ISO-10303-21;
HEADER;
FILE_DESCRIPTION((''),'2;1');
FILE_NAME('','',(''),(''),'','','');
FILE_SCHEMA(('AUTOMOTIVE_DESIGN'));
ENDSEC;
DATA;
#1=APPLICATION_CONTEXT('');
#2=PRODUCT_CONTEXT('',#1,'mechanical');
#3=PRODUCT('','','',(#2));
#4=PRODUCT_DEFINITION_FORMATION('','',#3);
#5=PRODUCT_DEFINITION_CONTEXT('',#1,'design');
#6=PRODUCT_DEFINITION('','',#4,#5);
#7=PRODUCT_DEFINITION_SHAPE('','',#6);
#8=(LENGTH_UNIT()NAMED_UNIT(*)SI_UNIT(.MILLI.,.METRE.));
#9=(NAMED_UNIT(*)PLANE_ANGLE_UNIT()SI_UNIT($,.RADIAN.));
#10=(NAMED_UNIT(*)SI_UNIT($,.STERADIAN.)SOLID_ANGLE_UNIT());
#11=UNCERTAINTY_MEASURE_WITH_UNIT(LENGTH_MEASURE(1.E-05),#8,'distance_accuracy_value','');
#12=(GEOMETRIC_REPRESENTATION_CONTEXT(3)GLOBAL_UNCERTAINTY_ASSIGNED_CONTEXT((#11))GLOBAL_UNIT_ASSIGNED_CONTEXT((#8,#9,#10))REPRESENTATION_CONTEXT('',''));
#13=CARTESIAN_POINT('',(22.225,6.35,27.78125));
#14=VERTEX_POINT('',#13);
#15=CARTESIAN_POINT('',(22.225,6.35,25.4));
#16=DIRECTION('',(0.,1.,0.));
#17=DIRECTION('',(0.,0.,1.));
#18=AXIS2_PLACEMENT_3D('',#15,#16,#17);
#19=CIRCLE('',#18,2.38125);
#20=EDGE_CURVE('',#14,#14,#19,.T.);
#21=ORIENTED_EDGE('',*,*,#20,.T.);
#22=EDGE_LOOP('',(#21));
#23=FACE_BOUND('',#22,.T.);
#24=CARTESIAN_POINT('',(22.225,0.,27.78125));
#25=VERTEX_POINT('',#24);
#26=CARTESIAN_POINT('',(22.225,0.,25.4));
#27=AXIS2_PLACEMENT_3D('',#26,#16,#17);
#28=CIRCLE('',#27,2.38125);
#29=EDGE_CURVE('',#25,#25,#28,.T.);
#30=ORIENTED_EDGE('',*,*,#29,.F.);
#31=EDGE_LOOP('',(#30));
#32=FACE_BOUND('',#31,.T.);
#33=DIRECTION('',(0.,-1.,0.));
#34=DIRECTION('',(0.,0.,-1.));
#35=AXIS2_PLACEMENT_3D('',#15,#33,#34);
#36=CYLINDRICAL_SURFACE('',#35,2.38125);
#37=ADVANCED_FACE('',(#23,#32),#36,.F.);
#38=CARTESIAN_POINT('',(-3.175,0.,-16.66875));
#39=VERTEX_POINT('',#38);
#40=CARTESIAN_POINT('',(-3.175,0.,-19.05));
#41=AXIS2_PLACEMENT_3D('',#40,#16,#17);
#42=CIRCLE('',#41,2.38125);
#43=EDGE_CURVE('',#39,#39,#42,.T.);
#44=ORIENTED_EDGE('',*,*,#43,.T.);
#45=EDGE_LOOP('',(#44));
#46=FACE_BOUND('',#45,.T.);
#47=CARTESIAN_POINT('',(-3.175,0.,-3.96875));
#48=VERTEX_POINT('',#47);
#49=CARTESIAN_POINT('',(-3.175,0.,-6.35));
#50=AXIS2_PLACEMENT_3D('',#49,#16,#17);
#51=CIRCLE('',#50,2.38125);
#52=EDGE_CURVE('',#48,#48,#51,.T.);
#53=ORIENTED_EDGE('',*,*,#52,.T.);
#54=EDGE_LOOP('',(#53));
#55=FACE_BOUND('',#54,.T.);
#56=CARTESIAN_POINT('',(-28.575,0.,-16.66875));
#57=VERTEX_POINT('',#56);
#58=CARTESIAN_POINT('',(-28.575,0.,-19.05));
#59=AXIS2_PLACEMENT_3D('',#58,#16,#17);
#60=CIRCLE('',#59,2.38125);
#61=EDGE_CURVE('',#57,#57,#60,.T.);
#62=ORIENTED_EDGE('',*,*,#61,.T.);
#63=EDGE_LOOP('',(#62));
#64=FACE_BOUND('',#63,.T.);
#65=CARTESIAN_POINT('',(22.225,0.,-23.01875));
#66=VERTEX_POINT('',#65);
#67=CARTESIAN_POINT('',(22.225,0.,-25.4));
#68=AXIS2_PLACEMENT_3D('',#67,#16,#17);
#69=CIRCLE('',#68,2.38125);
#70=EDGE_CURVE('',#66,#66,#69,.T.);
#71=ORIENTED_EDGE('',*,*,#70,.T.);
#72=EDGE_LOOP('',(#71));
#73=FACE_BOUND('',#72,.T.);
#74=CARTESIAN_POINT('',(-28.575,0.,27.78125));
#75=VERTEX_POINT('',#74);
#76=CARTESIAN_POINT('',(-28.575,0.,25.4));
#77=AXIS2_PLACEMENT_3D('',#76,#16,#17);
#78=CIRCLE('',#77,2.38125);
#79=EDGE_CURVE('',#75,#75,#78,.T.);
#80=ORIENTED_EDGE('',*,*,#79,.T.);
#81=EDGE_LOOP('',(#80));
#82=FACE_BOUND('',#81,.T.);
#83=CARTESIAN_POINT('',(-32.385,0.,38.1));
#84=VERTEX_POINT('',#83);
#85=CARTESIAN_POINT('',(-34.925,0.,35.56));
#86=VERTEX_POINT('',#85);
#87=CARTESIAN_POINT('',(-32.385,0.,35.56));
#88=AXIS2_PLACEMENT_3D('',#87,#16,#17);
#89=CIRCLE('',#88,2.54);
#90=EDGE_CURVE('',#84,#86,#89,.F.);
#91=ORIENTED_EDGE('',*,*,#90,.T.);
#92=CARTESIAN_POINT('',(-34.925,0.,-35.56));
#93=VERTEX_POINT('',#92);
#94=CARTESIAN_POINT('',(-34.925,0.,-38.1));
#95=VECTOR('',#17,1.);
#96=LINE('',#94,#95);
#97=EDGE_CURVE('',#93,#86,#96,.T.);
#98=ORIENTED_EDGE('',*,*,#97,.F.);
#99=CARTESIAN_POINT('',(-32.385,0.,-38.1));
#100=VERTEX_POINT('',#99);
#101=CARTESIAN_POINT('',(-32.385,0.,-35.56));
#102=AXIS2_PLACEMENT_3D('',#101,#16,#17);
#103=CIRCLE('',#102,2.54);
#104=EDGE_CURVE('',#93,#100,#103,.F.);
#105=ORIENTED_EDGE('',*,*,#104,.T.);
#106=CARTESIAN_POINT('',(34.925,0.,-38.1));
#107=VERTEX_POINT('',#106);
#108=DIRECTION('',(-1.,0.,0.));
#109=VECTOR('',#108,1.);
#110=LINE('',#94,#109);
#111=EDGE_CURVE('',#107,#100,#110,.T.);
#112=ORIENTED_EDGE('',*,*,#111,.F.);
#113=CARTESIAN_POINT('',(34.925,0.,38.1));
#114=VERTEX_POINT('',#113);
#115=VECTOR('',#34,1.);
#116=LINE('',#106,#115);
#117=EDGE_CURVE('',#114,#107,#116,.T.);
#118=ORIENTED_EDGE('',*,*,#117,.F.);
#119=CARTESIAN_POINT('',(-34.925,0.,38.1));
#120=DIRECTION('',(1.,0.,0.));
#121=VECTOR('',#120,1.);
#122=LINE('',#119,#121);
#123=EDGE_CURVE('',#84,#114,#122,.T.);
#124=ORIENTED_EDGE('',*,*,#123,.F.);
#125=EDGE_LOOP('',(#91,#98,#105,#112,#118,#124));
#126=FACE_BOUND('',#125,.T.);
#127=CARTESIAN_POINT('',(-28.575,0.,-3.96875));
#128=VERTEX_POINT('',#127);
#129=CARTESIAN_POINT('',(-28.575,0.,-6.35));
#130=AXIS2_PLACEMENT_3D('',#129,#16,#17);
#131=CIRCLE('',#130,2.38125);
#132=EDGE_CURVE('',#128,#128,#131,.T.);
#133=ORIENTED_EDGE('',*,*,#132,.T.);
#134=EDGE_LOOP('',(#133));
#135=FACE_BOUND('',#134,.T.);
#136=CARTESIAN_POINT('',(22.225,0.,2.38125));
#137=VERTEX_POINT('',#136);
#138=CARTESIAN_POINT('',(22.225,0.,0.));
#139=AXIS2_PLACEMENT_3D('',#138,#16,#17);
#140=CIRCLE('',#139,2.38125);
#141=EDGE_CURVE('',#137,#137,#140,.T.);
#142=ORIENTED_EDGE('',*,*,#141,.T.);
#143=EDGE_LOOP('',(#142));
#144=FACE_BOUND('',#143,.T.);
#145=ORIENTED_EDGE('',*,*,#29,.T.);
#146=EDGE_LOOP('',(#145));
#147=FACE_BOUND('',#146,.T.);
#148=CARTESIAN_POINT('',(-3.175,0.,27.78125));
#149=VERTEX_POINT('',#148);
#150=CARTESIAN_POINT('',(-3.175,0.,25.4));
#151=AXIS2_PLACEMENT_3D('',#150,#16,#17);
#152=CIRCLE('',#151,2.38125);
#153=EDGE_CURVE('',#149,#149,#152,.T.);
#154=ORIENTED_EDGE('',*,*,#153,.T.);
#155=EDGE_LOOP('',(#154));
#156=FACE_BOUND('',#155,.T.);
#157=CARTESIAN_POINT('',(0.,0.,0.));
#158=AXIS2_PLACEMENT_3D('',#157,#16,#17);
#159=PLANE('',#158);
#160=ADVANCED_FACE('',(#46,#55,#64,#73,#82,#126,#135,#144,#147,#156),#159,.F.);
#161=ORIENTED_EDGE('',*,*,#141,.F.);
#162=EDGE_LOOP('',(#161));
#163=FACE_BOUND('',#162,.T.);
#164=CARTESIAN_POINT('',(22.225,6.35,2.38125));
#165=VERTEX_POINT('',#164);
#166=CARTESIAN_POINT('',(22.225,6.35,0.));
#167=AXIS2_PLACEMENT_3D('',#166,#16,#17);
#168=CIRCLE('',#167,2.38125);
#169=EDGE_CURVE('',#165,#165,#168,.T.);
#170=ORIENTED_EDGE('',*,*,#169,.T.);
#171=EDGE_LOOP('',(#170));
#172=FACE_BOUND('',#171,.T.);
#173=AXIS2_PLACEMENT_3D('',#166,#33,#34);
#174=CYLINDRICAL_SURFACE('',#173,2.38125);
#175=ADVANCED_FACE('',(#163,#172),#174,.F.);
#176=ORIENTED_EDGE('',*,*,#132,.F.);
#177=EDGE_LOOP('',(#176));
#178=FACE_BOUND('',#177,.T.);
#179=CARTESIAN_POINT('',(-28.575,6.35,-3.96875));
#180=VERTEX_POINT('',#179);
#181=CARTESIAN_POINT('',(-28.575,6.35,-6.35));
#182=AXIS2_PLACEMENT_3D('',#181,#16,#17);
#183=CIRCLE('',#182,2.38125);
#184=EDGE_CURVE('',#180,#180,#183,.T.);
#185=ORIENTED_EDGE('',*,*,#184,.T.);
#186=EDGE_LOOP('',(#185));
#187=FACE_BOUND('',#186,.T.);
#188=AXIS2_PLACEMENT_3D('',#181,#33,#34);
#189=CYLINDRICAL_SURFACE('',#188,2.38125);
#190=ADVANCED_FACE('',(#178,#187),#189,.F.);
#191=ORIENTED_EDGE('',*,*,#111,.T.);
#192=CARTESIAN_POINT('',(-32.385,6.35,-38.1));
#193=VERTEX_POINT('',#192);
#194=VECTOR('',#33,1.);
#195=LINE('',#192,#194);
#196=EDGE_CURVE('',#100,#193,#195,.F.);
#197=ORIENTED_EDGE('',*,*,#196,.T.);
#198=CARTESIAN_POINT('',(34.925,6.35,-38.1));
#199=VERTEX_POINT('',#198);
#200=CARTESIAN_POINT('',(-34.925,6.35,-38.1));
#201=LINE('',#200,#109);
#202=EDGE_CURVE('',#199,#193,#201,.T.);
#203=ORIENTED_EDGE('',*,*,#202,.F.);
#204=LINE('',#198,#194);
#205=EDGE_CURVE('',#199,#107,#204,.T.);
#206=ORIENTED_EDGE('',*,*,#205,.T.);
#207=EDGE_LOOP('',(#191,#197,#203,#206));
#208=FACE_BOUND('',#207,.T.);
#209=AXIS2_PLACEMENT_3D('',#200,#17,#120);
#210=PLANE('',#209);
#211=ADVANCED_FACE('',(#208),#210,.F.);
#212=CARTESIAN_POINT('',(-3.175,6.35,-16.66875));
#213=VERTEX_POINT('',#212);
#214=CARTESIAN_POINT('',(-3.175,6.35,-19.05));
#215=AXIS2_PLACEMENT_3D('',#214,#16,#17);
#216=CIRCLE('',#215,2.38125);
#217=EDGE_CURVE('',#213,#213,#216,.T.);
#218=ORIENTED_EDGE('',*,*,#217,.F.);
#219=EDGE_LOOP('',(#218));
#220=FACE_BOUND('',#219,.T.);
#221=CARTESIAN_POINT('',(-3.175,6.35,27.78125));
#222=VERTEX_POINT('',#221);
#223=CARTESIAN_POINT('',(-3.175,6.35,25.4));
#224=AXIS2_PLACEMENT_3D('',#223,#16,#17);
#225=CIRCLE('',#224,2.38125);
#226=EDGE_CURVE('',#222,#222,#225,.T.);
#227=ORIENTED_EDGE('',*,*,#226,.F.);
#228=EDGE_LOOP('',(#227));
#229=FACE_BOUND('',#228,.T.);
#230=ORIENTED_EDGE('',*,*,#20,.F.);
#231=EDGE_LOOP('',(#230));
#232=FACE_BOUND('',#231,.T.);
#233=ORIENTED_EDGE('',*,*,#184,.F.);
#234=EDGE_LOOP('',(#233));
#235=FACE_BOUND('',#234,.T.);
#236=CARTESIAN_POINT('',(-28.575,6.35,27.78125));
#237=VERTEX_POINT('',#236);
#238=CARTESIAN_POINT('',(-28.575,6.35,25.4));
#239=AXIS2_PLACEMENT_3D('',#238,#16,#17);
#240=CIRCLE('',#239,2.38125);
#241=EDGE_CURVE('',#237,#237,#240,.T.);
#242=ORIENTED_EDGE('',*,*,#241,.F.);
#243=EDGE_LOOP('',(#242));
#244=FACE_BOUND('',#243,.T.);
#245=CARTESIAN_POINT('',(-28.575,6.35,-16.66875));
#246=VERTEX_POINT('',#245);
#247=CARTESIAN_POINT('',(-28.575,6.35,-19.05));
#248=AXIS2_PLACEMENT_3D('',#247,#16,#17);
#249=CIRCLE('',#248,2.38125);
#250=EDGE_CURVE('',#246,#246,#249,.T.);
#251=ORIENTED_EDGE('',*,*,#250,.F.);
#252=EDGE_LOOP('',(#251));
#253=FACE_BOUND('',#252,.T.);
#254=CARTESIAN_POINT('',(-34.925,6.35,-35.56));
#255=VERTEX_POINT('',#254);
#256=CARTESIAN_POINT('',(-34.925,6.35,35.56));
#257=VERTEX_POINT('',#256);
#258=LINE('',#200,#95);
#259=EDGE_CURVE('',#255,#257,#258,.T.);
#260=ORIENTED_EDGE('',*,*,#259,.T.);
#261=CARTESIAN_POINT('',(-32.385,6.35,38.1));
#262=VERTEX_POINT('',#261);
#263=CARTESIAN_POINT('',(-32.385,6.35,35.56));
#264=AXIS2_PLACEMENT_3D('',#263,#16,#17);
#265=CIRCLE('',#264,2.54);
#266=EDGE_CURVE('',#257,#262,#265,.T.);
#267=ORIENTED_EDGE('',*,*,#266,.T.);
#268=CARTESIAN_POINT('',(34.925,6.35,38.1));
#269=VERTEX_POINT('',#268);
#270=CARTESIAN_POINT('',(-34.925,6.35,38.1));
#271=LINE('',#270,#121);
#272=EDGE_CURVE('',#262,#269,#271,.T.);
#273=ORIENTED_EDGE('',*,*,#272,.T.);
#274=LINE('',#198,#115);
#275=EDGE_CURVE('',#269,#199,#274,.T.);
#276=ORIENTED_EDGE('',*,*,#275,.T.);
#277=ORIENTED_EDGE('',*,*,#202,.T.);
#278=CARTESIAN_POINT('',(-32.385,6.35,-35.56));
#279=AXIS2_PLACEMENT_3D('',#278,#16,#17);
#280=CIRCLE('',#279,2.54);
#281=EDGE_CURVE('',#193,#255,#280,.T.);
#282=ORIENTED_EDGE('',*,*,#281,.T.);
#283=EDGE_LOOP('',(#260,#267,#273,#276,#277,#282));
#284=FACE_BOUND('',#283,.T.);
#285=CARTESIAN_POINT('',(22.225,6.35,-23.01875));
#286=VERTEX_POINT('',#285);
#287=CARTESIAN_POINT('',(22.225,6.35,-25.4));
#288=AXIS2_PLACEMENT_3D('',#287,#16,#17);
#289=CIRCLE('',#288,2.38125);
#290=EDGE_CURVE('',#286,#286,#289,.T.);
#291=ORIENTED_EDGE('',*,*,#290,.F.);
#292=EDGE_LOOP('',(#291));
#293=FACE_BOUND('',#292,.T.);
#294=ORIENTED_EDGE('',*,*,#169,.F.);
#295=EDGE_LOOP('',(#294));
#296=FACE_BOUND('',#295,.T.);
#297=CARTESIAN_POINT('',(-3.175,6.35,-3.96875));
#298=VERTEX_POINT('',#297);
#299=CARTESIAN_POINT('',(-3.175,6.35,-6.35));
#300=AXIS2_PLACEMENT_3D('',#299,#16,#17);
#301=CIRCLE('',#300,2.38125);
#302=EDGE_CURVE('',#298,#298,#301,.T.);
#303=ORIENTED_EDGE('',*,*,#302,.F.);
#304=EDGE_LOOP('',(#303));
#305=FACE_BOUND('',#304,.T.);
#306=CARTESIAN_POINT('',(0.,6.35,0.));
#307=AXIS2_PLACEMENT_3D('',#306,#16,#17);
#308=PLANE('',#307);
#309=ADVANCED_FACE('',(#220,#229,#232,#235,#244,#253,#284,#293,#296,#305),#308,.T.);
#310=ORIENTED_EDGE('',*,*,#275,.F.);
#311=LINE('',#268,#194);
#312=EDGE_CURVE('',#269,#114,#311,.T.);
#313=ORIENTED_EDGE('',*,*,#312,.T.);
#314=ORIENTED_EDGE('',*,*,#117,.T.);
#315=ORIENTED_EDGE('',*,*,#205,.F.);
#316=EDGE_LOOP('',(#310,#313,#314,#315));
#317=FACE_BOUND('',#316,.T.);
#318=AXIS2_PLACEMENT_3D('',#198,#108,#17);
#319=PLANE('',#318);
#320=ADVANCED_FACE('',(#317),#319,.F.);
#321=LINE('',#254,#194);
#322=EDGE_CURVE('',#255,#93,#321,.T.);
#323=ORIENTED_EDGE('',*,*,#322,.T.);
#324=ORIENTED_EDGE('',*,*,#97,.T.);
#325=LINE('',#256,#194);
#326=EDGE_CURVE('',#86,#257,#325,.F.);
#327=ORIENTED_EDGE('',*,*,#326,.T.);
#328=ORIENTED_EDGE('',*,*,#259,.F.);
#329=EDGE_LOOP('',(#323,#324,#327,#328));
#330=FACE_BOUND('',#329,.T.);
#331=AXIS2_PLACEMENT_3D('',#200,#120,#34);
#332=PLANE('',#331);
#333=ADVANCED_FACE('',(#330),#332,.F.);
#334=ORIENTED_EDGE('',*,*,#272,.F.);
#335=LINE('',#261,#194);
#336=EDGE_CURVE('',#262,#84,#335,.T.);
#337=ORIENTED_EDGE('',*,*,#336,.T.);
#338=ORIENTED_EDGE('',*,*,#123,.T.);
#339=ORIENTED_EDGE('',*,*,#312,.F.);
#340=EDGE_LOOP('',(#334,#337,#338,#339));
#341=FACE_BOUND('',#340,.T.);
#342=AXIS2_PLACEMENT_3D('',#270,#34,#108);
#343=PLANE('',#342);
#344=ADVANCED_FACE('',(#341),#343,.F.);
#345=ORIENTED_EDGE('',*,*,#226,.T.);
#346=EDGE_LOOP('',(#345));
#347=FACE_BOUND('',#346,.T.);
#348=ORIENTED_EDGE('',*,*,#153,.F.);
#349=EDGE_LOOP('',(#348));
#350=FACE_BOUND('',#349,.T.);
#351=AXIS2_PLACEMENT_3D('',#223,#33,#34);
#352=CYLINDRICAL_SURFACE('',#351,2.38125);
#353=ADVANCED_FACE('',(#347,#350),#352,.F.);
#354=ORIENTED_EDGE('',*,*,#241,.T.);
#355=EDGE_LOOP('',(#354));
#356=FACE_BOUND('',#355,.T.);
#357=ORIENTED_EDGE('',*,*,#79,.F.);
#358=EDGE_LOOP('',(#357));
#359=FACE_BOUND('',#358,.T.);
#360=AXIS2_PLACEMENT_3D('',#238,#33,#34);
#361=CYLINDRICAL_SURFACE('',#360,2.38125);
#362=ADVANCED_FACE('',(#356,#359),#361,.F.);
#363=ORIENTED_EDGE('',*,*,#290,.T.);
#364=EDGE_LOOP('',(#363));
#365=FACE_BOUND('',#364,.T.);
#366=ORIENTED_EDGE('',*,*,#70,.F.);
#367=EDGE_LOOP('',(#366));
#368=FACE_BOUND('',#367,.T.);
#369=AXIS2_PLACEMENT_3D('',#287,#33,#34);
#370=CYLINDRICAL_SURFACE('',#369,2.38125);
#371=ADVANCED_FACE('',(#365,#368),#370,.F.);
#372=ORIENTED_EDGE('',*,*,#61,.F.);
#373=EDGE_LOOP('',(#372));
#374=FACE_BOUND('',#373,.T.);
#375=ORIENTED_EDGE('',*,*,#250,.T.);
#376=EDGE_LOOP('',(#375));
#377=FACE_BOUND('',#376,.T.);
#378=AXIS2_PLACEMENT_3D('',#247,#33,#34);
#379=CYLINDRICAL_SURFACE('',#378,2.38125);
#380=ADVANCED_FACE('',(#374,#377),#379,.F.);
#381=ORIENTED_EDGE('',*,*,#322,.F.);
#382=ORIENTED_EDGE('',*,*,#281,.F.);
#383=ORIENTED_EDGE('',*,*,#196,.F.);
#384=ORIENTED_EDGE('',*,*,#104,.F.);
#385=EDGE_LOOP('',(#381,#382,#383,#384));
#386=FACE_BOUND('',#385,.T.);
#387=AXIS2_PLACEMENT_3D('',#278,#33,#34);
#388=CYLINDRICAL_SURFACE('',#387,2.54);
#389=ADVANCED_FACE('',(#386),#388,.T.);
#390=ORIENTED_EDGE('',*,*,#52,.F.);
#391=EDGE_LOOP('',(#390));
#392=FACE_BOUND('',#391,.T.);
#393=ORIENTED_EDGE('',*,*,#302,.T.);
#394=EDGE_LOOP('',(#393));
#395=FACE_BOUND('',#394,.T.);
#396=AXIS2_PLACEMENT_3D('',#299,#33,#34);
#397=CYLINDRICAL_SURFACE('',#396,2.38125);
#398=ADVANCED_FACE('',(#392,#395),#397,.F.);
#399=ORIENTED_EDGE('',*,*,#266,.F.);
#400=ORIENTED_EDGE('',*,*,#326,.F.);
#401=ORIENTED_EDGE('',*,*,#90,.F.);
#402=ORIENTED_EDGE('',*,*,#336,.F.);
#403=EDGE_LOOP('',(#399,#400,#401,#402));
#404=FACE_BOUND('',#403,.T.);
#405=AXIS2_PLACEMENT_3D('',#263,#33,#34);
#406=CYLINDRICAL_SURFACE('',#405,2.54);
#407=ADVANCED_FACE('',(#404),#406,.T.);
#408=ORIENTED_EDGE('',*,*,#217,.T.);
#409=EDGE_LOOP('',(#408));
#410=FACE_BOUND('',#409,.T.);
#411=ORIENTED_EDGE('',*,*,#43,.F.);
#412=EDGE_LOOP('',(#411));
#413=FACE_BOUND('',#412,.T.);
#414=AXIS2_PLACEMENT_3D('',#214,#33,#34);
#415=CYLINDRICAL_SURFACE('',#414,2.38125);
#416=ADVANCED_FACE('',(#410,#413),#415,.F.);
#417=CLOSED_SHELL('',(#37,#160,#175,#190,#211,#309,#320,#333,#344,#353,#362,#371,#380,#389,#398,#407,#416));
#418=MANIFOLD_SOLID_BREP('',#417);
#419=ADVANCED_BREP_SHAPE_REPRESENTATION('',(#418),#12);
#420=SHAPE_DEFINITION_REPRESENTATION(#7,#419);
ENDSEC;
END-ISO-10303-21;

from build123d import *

# Parameters (mm, degrees)
SKETCH1_W           = 69.85
SKETCH1_H           = 76.2
SKETCH1_R           = 2.38125
BOSS_EXTRUDE1_DEPTH = 6.35
FILLET1_R           = 2.54


with BuildPart() as part:
    # Sketch1 → Boss-Extrude1 (new body)
    with BuildSketch(Plane(origin=(0, 0, 0), x_dir=(1, 0, 0), z_dir=(0, 1, 0))):
        Rectangle(SKETCH1_W, SKETCH1_H)
        with Locations(Location((22.225, 0, 0), (0, 0, 270))):
            Circle(SKETCH1_R, mode=Mode.SUBTRACT)
        with Locations(Location((22.225, -25.4, 0), (0, 0, 270))):
            Circle(SKETCH1_R, mode=Mode.SUBTRACT)
        with Locations(Location((22.225, 25.4, 0), (0, 0, 270))):
            Circle(SKETCH1_R, mode=Mode.SUBTRACT)
        with Locations(Location((-28.575, -25.4, 0), (0, 0, 270))):
            Circle(SKETCH1_R, mode=Mode.SUBTRACT)
        with Locations(Location((-28.575, 19.05, 0), (0, 0, 270))):
            Circle(SKETCH1_R, mode=Mode.SUBTRACT)
        with Locations(Location((-28.575, 6.35, 0), (0, 0, 270))):
            Circle(SKETCH1_R, mode=Mode.SUBTRACT)
        with Locations(Location((-3.175, -25.4, 0), (0, 0, 270))):
            Circle(SKETCH1_R, mode=Mode.SUBTRACT)
        with Locations(Location((-3.175, 19.05, 0), (0, 0, 270))):
            Circle(SKETCH1_R, mode=Mode.SUBTRACT)
        with Locations(Location((-3.175, 6.35, 0), (0, 0, 270))):
            Circle(SKETCH1_R, mode=Mode.SUBTRACT)
    extrude(amount=BOSS_EXTRUDE1_DEPTH)

    # Fillet1
    fillet1_edges = [part.edges().sort_by_distance(p)[0] for p in [
        (-34.925, 3.175, 38.1),
        (-34.925, 3.175, -38.1),
    ]]
    fillet(fillet1_edges, radius=FILLET1_R)


solid = part.part
